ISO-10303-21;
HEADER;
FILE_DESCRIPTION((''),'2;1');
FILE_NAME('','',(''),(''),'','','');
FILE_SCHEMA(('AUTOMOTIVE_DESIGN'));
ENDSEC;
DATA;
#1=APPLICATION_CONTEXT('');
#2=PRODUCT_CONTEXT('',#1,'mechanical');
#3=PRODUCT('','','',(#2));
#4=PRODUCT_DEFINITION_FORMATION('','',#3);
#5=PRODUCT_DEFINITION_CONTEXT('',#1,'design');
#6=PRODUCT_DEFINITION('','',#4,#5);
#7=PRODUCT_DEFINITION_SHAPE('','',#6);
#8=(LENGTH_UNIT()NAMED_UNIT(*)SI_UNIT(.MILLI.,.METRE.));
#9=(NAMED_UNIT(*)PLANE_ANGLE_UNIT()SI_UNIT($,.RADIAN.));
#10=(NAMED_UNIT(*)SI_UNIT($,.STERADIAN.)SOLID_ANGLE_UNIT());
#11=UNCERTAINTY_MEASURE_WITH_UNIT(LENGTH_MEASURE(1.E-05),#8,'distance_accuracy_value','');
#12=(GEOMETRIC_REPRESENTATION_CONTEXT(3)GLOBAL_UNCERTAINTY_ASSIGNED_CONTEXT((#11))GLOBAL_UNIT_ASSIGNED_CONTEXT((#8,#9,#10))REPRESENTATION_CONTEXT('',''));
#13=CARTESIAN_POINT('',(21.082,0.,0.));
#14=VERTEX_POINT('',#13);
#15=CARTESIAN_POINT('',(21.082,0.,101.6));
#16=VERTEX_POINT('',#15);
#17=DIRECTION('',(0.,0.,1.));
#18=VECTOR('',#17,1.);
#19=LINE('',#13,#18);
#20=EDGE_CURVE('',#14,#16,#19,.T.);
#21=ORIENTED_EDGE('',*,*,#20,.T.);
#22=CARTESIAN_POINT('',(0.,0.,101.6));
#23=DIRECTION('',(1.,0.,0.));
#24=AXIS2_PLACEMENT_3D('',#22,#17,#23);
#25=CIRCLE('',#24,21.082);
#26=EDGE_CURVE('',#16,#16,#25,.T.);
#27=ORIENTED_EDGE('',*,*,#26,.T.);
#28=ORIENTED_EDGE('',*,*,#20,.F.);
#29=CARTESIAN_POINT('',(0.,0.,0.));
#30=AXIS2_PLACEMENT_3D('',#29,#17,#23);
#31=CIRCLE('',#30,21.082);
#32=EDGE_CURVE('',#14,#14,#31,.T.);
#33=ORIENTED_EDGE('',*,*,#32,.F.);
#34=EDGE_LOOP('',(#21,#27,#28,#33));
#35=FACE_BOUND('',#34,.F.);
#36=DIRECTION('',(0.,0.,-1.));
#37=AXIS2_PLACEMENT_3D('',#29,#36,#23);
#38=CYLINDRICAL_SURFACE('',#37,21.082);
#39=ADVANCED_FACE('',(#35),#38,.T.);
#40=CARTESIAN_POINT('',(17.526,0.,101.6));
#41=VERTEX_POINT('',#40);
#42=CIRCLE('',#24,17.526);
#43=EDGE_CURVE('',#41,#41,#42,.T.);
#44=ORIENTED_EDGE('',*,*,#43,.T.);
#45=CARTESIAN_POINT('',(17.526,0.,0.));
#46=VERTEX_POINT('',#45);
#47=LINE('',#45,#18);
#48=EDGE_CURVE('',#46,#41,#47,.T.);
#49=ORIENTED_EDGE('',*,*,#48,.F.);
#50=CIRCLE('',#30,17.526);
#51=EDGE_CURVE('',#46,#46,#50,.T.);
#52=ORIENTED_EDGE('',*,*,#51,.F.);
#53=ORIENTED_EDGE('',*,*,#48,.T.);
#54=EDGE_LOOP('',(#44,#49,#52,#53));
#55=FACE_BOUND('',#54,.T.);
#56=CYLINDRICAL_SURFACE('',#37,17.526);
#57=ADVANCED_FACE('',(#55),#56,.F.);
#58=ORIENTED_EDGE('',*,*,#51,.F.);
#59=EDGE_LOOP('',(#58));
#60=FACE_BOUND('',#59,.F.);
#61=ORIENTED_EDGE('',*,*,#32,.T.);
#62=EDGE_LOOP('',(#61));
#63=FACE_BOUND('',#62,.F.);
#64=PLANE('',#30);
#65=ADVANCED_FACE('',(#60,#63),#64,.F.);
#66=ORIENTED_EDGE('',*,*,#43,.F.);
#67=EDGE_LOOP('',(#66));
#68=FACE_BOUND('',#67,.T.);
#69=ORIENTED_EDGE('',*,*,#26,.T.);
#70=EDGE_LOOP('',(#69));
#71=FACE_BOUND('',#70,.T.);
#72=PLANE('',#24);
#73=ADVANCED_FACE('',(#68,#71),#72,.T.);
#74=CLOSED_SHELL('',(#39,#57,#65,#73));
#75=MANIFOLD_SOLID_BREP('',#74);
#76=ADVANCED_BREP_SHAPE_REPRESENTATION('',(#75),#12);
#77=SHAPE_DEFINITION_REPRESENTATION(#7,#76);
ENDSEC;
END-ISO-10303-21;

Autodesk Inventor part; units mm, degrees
ref_plane "YZ Plane" through (0, 0, 0) normal (1, 0, 0) x (0, 1, 0)
ref_plane "Start plane" through (0, 0, 0) normal (0, 0, 1) x (1, 0, 0)
ref_plane "End plane" through (0, 0, 101.6) normal (0, 0, 1) x (1, 0, 0)
sketch "Sketch" plane through (0, 0, 0) normal (0, 0, 1) x (1, 0, 0)
  circle A0 centre (0, 0) radius 17.526
  circle A1 centre (0, 0) radius 21.082
  dimension "d0" = 42.164
  dimension "d1" = 3.556
extrude "Body" add sketch "Sketch" along normal up to surface (101.6 mm away) from surface at 0
sketch "Sketch3" plane through (0, 0, 0) normal (0, 0, 1) x (1, 0, 0)
  line L0 (0, 0) -> (10, 0)
ref_plane "Work Plane3" through (0, 0, 0) normal (0, -1, 0) x (1, 0, 0)
sketch "Sketch4" plane through (0, 0, 0) normal (0, -1, 0) x (1, 0, 0)
  line L0 (-2, 0) -> (12, 0)
  line L1 (-2, 101.6) -> (12, 101.6)
  dimension "d7" = 101.6
equation "\"d0\" = G_H"
equation "\"d1\" = G_T"
equation "\"d2\" = G_L"
equation "\"G_H\" = 42.164"
equation "\"G_T\" = 3.556"
equation "\"G_L\" = d7"
equation "\"G_OFFSET_START\" = 0"
equation "\"G_OFFSET_END\" = 0"
equation "\"d5\" = G_OFFSET_END + B_L"
equation "\"B_L\" = 101.6"
properties part number "ANSI - 1 1/4 x 0.140 - 4" material "Aluminum 6061"
